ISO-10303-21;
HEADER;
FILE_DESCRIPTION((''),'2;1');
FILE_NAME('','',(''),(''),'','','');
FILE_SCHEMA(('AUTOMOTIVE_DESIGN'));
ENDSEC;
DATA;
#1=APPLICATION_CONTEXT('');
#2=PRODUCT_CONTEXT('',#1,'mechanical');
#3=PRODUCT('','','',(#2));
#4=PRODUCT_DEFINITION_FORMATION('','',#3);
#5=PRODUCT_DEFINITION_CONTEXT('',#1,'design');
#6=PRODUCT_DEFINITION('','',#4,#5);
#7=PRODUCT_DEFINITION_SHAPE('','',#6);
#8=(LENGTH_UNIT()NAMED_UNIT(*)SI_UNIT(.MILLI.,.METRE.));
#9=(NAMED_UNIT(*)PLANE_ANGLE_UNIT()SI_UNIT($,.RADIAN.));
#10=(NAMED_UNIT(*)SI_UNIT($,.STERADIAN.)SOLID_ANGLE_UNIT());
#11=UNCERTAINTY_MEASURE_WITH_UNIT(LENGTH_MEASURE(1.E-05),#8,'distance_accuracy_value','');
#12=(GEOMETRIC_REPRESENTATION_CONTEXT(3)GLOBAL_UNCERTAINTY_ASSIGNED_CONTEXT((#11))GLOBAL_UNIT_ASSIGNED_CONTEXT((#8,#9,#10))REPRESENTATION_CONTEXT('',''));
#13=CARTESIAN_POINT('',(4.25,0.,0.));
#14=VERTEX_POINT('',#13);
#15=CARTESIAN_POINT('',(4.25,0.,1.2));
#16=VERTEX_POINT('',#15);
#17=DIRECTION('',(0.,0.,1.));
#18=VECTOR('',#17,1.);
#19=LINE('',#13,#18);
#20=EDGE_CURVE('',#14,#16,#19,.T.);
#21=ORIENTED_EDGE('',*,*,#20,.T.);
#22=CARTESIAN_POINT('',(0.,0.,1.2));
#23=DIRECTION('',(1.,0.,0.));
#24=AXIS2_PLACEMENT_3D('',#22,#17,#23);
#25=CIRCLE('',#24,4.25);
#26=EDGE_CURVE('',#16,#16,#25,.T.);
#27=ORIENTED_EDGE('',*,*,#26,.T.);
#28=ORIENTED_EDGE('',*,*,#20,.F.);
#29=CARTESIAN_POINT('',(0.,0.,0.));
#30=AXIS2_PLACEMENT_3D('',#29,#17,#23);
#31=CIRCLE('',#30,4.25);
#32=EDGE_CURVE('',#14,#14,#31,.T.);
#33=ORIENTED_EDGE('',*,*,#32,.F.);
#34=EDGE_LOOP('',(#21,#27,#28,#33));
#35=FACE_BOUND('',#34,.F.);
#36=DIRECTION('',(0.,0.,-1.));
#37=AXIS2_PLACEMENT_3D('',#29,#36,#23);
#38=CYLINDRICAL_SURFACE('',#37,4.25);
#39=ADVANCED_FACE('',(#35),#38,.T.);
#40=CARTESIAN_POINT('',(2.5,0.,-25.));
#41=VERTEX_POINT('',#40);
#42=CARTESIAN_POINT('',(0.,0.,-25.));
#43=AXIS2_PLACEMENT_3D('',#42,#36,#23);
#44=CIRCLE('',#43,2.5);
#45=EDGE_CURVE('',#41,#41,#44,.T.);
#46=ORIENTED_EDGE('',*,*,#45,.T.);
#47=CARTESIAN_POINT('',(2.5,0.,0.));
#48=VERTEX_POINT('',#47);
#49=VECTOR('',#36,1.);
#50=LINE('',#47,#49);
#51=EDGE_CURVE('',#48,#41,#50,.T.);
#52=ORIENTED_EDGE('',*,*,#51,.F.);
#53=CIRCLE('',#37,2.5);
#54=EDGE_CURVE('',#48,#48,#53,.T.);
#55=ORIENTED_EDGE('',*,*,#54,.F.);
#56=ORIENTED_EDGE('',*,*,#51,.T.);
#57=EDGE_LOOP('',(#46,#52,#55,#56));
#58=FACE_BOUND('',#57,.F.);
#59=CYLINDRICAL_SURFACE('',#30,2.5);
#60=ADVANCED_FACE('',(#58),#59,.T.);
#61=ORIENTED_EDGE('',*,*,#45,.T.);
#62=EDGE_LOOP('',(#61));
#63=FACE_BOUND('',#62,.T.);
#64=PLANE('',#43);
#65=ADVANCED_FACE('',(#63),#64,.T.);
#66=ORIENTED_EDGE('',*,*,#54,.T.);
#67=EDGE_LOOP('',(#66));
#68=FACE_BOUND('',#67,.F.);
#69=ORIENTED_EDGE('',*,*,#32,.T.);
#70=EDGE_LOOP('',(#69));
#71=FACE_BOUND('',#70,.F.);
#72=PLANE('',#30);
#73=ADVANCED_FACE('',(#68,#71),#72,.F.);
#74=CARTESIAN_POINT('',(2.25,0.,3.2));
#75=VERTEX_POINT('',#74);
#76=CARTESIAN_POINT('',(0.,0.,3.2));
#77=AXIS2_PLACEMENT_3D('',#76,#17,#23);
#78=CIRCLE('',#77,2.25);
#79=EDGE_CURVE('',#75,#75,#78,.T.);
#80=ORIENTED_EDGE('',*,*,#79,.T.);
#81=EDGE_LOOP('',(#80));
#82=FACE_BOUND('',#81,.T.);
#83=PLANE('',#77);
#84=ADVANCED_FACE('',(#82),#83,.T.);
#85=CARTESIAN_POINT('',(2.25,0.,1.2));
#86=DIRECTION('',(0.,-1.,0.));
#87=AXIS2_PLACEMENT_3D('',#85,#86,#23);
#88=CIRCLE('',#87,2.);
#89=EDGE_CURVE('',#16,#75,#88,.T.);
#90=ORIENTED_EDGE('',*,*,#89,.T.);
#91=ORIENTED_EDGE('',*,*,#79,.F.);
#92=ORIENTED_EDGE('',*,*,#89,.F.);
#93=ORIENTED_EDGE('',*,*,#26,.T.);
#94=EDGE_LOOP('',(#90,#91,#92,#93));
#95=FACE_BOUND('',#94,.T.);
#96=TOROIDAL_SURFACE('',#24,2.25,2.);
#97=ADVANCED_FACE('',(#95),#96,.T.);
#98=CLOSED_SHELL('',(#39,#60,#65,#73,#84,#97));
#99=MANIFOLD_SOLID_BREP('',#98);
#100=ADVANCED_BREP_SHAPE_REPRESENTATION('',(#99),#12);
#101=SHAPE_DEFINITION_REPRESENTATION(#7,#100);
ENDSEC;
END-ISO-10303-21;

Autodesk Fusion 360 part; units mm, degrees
sketch "草图1" plane through (0, 0, 0) normal (0, 0, 1) x (1, 0, 0)
  circle A0 centre (0, 0) radius 4.25
  dimension "d1" = 8.5
extrude "拉伸1" add sketch "草图1" along normal blind 3.2
fillet "圆角1" radius 2 1 edges at (-3.9624, -1.5369, 3.2)
sketch "草图2" plane through (0, 0, 0) normal (0, 0, -1) x (1, 0, 0)
  circle A0 centre (0, 0) radius 4.25
  circle A1 centre (0, 0) radius 2.5
  dimension "d6" = 5
extrude "拉伸2" add sketch "草图2" along normal blind 25 contours A1
